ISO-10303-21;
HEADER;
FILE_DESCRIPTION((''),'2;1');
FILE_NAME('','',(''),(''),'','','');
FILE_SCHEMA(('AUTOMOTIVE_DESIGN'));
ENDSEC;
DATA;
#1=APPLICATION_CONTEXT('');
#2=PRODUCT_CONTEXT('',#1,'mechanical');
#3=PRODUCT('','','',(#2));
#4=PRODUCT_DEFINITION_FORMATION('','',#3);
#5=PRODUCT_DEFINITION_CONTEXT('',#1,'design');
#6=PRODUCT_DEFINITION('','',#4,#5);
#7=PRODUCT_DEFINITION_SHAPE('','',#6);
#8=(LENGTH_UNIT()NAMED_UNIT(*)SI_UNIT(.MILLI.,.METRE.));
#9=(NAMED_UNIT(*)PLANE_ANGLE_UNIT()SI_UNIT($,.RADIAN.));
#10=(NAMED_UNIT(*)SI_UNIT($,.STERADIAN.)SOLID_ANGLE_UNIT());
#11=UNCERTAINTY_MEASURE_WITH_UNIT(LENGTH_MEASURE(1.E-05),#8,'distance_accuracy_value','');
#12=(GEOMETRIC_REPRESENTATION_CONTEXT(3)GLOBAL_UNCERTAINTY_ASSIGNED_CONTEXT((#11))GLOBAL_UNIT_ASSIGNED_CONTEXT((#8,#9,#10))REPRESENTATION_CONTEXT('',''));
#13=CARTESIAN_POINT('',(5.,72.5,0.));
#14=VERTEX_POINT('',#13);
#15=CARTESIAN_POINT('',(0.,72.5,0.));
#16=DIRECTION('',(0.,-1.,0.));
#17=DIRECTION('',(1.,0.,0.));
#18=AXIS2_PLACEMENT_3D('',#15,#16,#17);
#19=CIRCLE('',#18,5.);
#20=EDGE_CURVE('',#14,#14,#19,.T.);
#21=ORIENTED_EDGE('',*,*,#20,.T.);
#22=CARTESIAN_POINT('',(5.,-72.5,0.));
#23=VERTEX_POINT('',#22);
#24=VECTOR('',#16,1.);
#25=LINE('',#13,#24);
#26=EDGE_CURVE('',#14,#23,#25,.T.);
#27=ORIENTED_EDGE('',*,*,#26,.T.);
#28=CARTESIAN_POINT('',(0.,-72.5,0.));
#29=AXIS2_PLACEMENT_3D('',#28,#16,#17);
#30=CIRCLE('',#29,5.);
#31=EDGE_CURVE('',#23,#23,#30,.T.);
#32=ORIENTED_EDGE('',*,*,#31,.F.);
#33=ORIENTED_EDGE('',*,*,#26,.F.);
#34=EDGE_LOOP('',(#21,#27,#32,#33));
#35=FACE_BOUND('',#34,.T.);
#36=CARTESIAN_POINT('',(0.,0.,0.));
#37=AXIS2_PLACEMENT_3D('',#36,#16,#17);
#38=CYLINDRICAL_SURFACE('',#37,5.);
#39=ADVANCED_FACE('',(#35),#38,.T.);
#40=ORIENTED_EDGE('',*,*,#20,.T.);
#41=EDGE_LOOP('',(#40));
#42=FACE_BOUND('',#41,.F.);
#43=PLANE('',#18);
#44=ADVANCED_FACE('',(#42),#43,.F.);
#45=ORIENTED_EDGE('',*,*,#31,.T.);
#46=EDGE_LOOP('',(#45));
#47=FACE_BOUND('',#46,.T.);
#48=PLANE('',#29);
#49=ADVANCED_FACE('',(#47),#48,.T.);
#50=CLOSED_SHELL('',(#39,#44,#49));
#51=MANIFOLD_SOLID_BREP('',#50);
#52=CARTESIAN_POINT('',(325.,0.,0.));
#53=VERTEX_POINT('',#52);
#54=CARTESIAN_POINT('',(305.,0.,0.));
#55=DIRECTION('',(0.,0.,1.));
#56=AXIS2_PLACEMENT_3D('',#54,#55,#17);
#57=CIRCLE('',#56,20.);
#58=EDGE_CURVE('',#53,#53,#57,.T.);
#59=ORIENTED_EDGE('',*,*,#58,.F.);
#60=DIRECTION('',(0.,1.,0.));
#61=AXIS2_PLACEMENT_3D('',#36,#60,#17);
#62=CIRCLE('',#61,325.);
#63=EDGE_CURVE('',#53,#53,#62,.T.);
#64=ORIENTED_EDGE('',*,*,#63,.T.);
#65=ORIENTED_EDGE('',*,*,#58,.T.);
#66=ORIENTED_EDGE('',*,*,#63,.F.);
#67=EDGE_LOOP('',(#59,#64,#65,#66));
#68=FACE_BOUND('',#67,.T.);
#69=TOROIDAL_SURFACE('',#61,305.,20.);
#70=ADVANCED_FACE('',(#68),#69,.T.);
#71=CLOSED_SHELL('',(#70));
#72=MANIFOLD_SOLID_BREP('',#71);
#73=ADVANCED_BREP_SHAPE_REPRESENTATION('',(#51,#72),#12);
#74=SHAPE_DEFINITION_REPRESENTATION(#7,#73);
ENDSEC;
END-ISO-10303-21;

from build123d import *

# Parameters (mm, degrees)
F0_R     = 20
F2_R     = 5
F3_DEPTH = 72.5


with BuildPart() as f1:
    # F0 (on Top) → F1 (revolve)
    with BuildSketch(Plane.XY):
        with Locations((305, 0)):
            Circle(F0_R)
    revolve(axis=Axis((0, 17.5255890936, 0), (0, 1, 0)))


with BuildPart() as f3:
    # F2 (on Front) → F3 (new body, symmetric)
    with BuildSketch(Plane.XZ):
        Circle(F2_R)
    extrude(amount=F3_DEPTH, both=True)


solid = Compound([f1.part, f3.part])
